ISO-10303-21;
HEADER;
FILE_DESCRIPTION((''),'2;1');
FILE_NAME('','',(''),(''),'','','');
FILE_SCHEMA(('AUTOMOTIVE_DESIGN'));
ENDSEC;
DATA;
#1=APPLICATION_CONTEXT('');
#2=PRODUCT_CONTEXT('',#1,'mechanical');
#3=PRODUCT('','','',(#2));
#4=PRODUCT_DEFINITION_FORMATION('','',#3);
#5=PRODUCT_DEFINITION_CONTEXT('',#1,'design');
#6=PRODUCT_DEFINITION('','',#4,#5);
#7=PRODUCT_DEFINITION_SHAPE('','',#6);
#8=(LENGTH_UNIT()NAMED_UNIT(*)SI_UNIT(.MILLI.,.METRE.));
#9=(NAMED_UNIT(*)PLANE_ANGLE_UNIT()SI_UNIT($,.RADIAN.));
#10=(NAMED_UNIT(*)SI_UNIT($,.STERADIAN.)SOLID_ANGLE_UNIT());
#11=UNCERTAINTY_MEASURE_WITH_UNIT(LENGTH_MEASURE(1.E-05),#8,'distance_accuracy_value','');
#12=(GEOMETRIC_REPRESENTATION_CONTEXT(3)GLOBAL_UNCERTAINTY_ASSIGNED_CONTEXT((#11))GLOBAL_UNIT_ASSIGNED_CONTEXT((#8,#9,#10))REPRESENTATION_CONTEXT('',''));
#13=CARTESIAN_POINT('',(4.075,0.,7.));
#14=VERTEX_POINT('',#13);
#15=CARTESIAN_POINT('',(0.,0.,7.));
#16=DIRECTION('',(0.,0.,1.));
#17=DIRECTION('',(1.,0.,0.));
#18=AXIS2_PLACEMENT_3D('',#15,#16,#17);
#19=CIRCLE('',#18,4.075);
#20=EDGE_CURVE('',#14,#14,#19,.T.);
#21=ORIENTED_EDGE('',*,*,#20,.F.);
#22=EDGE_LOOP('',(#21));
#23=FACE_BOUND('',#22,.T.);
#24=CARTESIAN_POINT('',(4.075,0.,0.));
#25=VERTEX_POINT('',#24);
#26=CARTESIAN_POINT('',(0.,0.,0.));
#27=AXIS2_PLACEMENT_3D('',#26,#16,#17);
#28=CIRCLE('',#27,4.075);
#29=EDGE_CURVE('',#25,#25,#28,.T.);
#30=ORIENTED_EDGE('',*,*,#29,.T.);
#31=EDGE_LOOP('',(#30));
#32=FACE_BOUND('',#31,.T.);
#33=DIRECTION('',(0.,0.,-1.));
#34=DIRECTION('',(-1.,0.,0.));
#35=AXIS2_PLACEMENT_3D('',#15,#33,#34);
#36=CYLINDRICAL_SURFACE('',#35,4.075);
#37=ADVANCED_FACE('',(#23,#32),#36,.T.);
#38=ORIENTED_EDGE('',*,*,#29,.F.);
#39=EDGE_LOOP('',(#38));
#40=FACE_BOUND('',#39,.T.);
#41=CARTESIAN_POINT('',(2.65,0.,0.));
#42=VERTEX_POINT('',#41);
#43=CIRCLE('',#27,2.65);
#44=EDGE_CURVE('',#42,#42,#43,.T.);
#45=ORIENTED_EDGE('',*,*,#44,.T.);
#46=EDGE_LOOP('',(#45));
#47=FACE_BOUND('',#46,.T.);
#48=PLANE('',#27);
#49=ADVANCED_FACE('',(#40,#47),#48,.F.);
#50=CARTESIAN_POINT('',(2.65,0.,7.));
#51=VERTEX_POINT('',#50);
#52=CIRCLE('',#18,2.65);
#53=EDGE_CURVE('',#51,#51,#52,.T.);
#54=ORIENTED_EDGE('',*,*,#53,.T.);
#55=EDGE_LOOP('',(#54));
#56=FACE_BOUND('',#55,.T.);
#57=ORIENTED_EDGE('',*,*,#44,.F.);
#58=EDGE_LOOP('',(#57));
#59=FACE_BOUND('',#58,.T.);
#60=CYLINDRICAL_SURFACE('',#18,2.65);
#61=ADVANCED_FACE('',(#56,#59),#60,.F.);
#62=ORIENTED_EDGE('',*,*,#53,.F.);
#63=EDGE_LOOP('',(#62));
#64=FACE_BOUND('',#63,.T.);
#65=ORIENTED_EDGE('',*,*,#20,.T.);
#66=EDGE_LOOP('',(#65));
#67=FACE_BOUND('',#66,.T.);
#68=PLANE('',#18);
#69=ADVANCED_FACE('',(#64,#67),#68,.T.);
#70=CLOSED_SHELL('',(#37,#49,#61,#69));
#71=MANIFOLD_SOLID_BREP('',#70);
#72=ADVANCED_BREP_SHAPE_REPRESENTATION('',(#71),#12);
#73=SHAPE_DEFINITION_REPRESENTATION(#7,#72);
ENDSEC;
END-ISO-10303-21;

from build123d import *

# Parameters (mm, degrees)
SKETCH1_R            = 4.075
BOSS_EXTRUDE1_DEPTH  = 7
M5_CLEARANCE_HOLE1_D = 5.3


with BuildPart() as part:
    # Sketch1 → Boss-Extrude1 (new body)
    with BuildSketch(Plane.XY):
        Circle(SKETCH1_R)
    extrude(amount=BOSS_EXTRUDE1_DEPTH)

    # M5 Clearance Hole1 (through all)
    with Locations(Plane.XY.offset(7)):
        with Locations((0, 0)):
            Hole(M5_CLEARANCE_HOLE1_D / 2)


solid = part.part
